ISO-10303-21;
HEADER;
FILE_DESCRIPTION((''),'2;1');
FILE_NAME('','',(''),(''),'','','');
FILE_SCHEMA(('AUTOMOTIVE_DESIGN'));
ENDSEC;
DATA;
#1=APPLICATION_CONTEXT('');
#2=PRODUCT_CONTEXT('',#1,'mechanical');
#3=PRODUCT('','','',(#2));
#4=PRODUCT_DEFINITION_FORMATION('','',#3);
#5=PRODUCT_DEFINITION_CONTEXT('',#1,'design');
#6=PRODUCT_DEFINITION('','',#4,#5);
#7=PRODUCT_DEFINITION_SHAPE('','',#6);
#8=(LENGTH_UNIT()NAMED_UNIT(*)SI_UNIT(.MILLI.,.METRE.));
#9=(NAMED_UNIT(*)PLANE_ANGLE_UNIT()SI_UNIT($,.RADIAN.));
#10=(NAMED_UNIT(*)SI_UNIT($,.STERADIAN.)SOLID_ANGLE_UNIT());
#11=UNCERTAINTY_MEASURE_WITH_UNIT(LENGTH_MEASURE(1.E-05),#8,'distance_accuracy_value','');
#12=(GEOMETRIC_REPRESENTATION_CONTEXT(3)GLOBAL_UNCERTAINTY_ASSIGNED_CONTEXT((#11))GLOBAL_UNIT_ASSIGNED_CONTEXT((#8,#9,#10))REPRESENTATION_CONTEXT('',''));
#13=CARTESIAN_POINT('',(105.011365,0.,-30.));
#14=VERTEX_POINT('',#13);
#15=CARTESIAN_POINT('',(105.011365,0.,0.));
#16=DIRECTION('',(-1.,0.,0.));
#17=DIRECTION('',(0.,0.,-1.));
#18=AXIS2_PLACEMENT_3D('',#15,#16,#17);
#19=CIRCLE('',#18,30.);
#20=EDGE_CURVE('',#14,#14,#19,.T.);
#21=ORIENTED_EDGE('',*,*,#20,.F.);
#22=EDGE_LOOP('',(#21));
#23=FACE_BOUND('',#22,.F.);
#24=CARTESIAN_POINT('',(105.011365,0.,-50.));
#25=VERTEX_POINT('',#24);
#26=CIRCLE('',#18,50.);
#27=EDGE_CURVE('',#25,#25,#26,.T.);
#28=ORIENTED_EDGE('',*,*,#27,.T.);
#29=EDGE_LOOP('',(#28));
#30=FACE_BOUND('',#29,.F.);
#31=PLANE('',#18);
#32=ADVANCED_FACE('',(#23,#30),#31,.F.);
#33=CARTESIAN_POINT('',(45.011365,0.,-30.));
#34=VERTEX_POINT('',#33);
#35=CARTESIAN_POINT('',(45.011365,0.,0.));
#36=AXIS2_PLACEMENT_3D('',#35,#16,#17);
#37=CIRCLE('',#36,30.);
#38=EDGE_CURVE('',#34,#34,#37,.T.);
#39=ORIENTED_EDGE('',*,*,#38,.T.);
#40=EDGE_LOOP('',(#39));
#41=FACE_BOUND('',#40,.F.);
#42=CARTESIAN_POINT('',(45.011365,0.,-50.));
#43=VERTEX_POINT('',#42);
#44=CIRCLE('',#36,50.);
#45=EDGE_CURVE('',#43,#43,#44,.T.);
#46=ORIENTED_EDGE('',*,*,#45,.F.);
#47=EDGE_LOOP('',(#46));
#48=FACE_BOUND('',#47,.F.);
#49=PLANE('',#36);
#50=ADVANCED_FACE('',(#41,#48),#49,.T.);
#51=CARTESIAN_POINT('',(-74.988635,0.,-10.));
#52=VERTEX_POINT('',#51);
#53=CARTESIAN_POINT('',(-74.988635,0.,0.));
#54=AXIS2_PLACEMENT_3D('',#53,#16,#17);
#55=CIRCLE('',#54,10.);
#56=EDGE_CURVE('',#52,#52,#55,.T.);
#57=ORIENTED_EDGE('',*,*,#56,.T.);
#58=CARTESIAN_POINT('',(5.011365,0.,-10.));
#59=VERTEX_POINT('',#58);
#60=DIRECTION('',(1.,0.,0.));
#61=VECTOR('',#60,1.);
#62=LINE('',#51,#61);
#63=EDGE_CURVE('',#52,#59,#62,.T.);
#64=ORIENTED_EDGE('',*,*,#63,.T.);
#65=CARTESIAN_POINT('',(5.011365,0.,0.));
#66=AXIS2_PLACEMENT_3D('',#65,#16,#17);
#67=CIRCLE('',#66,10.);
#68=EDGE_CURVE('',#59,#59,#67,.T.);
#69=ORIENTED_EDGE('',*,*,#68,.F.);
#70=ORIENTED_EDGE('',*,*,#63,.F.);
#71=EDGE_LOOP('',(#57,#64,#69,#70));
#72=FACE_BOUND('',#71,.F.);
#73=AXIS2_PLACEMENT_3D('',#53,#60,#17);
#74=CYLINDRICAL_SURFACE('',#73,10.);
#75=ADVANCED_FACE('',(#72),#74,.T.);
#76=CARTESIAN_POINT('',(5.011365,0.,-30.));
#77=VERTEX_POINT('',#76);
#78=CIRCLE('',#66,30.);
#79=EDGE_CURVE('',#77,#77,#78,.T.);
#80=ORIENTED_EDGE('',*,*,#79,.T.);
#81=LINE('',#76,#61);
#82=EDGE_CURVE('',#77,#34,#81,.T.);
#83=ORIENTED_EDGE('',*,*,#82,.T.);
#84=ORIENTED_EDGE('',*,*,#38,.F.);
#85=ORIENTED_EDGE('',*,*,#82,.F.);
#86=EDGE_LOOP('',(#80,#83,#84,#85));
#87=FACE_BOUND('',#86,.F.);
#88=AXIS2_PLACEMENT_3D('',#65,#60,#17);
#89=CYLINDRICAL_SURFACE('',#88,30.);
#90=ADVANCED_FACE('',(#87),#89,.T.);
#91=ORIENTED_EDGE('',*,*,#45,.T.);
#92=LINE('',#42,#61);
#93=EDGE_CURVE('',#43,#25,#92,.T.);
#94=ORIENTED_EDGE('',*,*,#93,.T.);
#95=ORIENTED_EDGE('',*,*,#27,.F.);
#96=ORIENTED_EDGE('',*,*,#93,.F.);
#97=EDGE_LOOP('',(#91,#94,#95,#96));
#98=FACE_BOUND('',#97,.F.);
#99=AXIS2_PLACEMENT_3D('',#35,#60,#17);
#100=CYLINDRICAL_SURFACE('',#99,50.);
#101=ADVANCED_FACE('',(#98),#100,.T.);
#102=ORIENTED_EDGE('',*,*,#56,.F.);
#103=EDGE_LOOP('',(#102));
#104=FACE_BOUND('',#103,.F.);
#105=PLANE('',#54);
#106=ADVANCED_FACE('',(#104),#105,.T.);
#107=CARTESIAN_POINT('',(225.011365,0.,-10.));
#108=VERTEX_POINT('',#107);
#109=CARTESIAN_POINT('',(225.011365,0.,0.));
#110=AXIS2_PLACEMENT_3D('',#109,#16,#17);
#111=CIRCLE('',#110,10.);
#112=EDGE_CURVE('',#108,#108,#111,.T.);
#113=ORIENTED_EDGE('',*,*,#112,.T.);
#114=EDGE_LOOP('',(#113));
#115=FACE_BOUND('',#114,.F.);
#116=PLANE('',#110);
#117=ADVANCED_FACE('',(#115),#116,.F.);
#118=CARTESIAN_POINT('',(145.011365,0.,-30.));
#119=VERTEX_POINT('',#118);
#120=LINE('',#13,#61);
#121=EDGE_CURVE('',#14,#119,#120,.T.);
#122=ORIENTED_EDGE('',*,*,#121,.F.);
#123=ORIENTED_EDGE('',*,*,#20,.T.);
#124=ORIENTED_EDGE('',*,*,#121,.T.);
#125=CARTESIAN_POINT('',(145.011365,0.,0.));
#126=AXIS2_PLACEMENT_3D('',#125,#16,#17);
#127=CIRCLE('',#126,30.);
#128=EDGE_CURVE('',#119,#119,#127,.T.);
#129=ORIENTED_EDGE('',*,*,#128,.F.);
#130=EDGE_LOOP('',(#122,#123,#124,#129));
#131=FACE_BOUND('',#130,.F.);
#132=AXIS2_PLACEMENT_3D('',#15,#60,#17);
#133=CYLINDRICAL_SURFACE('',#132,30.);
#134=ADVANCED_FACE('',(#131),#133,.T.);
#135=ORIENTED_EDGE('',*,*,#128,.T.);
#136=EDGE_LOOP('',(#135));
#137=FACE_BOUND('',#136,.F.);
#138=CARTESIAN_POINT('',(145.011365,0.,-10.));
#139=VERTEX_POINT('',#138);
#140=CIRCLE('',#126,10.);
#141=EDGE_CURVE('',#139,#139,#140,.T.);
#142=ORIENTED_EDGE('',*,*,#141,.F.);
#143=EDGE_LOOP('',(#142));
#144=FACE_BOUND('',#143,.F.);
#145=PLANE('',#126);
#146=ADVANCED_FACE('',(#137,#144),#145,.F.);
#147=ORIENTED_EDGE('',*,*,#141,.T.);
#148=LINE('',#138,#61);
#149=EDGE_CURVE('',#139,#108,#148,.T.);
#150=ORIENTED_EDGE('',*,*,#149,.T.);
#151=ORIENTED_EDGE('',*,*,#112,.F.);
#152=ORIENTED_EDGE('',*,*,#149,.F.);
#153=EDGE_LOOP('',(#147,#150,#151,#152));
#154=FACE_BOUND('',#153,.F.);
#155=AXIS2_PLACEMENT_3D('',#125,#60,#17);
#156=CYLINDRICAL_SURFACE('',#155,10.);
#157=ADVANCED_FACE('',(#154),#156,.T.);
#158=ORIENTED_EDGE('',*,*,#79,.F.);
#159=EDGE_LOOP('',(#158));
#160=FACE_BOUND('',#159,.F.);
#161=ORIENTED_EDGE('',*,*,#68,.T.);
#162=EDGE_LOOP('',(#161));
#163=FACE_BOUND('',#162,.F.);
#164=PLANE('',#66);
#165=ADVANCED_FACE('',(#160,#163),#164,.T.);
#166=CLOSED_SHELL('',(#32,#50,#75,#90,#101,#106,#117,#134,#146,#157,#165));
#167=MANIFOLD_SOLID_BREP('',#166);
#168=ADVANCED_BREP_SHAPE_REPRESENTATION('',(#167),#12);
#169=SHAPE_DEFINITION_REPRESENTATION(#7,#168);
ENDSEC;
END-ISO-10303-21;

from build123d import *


with BuildPart() as part:
    # Sketch2 → Revolve1 (revolve)
    with BuildSketch(Plane(origin=(0, 0, 0), x_dir=(1, 0, 0), z_dir=(0, 1, 0)), mode=Mode.PRIVATE) as revolve1_sk:
        Polygon((45.011364727, -30), (45.011364727, -50), (105.011364727, -50), (105.011364727, -30), (145.011364727, -30), (145.011364727, -10), (225.011364727, -10), (225.011364727, 0), (-74.988635273, 0), (-74.988635273, -10), (5.011364727, -10), (5.011364727, -30), align=None)
    revolve(revolve1_sk.sketch.rotate(Axis((0, 0, 0), (-1, 0, 0)), 180), axis=Axis((0, 0, 0), (-1, 0, 0)))  # turned: the seam where the file's is


solid = part.part
